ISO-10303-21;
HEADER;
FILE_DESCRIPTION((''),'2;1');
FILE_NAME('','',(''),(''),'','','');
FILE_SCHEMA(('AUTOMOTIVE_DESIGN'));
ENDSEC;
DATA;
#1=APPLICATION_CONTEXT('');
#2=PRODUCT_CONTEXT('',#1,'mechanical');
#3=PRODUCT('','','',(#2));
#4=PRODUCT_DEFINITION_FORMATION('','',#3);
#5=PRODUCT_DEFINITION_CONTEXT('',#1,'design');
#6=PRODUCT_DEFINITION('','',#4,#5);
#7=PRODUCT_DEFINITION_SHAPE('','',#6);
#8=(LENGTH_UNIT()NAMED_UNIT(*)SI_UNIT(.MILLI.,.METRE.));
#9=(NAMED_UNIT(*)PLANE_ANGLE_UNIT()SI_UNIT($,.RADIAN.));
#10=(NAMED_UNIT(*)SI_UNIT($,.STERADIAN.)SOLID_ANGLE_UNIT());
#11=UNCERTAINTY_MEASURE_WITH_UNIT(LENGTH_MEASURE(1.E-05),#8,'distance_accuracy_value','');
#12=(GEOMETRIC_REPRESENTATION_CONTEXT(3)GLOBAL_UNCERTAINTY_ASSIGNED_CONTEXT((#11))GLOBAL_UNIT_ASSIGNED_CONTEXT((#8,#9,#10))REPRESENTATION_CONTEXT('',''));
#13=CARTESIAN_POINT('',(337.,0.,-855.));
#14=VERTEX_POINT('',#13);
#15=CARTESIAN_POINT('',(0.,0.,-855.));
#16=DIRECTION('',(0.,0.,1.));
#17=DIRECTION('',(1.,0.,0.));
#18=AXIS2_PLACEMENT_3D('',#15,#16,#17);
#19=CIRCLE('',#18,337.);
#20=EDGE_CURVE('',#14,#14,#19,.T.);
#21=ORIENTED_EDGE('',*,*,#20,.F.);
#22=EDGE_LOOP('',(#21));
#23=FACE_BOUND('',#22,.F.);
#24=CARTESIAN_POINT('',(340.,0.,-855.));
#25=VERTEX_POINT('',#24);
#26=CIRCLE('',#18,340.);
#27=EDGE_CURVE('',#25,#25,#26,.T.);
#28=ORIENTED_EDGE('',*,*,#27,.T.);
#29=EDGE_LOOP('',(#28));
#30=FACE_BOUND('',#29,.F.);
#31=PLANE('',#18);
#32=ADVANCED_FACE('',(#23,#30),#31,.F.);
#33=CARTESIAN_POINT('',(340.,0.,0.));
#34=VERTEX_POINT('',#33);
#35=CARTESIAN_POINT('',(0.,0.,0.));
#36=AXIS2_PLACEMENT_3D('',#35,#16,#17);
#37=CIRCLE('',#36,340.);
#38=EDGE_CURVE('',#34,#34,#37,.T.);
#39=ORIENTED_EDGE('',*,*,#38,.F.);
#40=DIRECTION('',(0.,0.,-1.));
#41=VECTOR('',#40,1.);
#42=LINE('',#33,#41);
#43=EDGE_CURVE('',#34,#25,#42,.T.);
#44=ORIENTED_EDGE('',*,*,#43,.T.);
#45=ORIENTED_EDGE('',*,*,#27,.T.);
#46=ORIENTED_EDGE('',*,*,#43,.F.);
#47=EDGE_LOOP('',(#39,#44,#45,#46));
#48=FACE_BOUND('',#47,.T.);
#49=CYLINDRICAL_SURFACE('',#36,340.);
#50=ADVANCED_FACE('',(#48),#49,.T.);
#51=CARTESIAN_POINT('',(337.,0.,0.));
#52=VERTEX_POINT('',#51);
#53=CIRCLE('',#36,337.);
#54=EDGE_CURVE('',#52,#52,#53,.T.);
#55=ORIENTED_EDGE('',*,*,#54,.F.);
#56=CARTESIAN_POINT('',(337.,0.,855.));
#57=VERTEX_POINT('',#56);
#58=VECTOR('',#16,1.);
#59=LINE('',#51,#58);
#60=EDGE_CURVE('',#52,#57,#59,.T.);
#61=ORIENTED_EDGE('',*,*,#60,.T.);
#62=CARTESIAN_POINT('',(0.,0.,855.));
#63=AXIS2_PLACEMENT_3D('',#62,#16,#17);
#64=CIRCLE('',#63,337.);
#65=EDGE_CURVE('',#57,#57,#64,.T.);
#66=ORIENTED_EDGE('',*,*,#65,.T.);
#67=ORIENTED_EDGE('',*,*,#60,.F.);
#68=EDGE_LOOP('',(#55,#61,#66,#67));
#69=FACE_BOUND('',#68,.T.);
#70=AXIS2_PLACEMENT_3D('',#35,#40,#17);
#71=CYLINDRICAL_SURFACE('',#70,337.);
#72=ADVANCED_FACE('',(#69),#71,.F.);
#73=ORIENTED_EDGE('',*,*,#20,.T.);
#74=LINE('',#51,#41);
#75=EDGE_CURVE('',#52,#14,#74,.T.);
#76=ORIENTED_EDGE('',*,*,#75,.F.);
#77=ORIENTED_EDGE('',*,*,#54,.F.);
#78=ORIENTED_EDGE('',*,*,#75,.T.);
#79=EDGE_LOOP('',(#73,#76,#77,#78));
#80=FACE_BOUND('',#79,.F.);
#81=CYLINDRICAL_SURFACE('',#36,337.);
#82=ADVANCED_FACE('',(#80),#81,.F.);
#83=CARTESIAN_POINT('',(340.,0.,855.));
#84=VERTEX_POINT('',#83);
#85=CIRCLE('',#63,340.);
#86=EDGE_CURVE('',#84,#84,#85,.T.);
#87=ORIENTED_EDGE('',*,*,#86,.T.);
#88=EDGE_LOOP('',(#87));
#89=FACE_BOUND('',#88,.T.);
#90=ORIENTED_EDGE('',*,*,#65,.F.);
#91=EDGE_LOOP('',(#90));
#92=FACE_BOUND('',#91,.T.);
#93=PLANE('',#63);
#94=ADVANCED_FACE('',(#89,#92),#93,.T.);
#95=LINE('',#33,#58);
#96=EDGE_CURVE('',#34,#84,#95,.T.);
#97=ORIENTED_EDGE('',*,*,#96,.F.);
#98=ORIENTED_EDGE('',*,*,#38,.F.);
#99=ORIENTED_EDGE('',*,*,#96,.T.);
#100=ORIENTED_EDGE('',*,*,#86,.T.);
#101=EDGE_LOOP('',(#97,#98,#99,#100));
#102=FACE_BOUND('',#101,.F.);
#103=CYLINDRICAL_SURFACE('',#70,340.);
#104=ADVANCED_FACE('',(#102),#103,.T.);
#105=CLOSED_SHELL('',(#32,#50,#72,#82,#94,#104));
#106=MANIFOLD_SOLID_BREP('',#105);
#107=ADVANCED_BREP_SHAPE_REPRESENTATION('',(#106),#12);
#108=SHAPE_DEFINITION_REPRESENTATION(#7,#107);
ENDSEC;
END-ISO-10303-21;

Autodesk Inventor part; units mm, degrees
ref_plane "YZ Plane" through (0, 0, 0) normal (1, 0, 0) x (0, 1, 0)
ref_plane "XZ Plane" through (0, 0, 0) normal (0, 1, 0) x (-1, 0, 0)
ref_plane "XY Plane" through (0, 0, 0) normal (0, 0, 1) x (1, 0, 0)
sketch "Boceto1" plane through (0, 0, 0) normal (0, 0, 1) x (1, 0, 0)
  circle A0 centre (0, 0) radius 337
  circle A1 centre (0, 0) radius 340
  dimension "d0" = 680
  dimension "d1" = 674
extrude "Extrusión1" add sketch "Boceto1" along normal mid plane 1710
properties part number "Tambor liso (drum)"
